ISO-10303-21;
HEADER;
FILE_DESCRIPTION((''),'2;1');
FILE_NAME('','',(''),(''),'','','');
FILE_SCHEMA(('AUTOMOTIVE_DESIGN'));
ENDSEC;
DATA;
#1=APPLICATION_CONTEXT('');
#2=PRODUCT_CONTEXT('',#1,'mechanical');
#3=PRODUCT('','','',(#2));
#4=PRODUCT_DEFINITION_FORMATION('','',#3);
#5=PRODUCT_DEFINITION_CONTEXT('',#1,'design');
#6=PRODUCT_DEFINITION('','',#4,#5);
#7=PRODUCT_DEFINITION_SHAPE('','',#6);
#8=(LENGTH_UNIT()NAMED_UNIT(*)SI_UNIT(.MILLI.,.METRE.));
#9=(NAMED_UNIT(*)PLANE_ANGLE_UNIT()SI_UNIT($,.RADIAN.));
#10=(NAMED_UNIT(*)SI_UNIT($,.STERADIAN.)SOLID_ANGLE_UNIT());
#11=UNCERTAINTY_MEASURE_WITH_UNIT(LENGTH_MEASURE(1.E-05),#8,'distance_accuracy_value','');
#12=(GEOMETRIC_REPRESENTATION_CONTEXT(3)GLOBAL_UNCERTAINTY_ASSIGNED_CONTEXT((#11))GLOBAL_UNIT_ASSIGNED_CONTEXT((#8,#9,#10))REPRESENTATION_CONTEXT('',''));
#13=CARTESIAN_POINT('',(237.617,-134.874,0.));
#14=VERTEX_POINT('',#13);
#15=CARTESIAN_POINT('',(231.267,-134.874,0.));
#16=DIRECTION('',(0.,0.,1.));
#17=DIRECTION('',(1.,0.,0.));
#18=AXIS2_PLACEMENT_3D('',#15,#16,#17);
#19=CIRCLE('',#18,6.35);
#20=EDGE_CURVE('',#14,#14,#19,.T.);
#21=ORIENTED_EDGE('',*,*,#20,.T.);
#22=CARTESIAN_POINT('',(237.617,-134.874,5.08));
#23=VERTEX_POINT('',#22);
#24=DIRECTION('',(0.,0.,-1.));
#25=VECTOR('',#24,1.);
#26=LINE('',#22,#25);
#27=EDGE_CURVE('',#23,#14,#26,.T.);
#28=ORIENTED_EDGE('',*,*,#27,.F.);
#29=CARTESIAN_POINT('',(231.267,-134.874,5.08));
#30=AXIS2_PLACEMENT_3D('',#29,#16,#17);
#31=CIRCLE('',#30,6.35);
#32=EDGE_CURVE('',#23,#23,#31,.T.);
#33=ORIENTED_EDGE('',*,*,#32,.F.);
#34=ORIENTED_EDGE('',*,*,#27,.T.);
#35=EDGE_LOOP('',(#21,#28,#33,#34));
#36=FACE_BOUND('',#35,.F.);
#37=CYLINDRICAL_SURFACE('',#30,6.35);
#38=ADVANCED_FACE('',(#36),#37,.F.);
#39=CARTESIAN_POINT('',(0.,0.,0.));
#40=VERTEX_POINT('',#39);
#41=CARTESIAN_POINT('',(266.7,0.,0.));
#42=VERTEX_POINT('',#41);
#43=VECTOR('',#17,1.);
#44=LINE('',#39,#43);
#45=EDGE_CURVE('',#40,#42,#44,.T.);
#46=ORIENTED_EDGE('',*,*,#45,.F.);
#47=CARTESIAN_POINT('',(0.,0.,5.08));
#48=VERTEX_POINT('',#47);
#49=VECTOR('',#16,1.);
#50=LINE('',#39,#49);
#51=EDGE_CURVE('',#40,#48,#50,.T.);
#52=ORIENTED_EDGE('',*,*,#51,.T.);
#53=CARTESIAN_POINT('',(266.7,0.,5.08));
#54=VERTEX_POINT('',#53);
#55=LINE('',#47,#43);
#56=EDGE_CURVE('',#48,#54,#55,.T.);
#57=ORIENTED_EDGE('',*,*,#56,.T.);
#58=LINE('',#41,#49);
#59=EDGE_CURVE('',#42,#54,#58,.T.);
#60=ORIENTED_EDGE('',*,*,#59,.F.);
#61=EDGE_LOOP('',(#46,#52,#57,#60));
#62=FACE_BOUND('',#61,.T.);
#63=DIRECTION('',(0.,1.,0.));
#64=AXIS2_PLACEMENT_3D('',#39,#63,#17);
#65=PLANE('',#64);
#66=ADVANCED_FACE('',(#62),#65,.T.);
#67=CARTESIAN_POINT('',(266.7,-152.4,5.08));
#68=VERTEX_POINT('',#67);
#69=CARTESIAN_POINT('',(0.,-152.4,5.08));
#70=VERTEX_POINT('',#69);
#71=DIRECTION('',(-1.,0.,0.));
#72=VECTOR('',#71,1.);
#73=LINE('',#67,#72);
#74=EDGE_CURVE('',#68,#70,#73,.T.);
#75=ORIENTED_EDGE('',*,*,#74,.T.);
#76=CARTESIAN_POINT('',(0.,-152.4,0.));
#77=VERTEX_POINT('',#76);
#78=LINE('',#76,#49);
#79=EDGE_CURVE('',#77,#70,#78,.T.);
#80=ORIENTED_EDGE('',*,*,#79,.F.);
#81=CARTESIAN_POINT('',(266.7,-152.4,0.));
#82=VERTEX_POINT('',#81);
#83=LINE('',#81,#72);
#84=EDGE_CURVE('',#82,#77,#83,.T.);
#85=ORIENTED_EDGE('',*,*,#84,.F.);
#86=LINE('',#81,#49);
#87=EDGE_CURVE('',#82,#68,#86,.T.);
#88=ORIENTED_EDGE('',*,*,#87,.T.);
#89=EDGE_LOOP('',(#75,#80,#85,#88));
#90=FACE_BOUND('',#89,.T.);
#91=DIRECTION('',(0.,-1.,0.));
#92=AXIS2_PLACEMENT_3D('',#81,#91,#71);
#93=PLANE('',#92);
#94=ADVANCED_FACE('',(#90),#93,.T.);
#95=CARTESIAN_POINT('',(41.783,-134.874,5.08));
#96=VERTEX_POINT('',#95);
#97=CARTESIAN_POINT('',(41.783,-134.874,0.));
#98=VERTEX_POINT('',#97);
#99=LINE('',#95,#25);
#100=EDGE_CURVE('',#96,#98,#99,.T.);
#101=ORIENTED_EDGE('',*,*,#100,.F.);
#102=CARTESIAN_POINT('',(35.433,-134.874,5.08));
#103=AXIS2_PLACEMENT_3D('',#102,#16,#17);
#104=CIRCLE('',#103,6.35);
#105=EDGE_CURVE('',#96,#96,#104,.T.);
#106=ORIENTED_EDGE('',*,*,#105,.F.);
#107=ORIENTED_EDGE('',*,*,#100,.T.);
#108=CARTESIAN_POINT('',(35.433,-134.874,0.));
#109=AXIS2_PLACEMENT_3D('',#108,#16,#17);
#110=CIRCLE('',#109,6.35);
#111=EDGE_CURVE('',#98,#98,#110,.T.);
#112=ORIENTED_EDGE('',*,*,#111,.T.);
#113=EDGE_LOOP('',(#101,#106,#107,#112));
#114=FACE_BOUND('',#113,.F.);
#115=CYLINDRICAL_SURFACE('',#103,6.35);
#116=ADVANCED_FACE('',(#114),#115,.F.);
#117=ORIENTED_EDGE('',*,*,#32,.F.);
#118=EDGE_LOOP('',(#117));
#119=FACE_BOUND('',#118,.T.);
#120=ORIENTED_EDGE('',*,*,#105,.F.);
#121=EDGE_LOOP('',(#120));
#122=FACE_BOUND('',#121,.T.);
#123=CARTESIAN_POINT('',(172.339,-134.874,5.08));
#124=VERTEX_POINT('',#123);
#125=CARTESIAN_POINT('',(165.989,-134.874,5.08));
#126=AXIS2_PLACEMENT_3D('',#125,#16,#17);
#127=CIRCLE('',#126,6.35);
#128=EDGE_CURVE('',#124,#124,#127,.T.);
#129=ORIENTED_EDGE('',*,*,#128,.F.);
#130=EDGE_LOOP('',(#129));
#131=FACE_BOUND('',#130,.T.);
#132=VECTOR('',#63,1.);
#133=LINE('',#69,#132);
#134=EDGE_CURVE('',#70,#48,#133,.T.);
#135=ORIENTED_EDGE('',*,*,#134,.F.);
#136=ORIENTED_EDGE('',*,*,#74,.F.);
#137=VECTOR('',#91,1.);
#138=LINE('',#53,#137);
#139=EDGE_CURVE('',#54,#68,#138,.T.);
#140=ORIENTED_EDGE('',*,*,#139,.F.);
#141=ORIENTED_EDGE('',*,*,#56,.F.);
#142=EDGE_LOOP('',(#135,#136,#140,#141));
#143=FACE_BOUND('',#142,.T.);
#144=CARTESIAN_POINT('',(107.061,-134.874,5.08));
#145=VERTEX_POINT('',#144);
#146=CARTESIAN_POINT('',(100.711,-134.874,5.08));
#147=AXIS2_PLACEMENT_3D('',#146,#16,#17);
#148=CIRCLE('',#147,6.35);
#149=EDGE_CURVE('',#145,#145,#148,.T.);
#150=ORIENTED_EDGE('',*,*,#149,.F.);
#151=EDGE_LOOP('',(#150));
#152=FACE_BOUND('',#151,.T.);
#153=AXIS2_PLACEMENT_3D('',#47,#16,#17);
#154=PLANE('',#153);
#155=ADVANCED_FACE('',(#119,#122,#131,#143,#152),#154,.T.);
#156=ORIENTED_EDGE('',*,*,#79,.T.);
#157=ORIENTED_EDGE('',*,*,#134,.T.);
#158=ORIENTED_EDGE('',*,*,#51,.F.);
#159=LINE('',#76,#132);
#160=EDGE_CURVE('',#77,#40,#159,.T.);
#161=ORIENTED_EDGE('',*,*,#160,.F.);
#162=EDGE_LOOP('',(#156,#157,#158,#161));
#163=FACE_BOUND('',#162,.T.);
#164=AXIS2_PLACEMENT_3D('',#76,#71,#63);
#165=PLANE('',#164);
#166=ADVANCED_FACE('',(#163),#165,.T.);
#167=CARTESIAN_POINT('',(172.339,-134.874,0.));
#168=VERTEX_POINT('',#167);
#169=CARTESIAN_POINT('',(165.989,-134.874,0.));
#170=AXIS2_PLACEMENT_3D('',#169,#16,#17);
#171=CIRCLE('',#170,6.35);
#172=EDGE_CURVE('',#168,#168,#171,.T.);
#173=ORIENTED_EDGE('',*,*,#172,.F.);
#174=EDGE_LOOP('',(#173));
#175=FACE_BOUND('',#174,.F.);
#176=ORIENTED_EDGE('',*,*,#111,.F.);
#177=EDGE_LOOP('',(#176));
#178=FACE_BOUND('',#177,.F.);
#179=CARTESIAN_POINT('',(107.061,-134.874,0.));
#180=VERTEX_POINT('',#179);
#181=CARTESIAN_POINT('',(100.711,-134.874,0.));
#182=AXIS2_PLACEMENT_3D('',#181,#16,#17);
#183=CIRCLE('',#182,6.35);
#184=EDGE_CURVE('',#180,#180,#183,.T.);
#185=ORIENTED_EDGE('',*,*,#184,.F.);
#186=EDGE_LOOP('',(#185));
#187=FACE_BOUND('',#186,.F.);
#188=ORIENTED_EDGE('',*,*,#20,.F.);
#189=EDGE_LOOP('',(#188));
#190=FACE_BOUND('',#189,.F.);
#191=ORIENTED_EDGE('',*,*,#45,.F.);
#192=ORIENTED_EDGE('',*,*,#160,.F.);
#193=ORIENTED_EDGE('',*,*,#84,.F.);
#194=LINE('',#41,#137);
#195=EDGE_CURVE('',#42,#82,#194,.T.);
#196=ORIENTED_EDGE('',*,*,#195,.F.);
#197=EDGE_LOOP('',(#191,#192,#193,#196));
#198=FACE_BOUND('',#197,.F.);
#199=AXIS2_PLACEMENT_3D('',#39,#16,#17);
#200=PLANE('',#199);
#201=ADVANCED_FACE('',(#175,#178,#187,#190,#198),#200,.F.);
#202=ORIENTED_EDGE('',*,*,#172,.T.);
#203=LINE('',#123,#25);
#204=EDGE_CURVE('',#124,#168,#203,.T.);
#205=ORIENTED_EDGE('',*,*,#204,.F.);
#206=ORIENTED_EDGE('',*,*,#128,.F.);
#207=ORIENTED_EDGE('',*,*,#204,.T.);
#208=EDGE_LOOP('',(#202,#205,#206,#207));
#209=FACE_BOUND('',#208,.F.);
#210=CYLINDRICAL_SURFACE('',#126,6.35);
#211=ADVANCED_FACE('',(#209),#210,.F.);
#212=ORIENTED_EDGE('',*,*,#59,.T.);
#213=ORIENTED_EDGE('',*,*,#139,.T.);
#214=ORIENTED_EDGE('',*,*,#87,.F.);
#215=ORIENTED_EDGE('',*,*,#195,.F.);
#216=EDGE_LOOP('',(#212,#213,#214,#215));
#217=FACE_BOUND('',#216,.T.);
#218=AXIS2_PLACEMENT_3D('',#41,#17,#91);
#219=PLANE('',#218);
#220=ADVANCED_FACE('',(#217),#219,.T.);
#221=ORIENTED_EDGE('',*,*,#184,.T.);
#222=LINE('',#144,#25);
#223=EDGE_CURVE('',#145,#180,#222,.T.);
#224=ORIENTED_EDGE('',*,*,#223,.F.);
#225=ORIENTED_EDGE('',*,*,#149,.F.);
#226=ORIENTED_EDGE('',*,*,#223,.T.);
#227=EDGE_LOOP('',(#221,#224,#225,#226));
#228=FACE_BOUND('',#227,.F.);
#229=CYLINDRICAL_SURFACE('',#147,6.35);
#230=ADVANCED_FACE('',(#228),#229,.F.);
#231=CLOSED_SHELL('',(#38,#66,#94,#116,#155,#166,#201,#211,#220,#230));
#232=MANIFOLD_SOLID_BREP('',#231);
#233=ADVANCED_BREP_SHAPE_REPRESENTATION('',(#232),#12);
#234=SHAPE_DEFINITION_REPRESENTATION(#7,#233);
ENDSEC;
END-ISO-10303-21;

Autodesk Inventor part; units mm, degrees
ref_plane "YZ Plane" through (0, 0, 0) normal (1, 0, 0) x (0, 1, 0)
ref_plane "XZ Plane" through (0, 0, 0) normal (0, 1, 0) x (-1, 0, 0)
ref_plane "XY Plane" through (0, 0, 0) normal (0, 0, 1) x (1, 0, 0)
sketch "Sketch1" plane through (0, 0, 0) normal (0, 0, 1) x (1, 0, 0)
  line L0 (0, 0) -> (266.7, 0)
  line L1 (266.7, 0) -> (266.7, -152.4)
  line L2 (266.7, -152.4) -> (0, -152.4)
  line L3 (0, -152.4) -> (0, 0)
  dimension "d0" = 266.7
  dimension "d1" = 152.4
extrude "Extrusion1" add sketch "Sketch1" along normal blind 5.08
sketch "Sketch2" plane through (0, 0, 5.08) normal (0, 0, 1) x (1, 0, 0)
  line L0 (0, -152.4) -> (266.7, -152.4) projected
  line L1 (59.8504, -152.4) -> (42.3244, -152.4)
  line L2 (0, 0) -> (0, -152.4) projected
  line L3 (266.7, -152.4) -> (266.7, 0) projected
  circle A0 centre (165.989, -134.874) radius 6.35
  circle A1 centre (231.267, -134.874) radius 6.35
  circle A2 centre (100.711, -134.874) radius 6.35
  circle A3 centre (35.433, -134.874) radius 6.35
  dimension "d9" = 12.7
extrude "Extrusion2" cut sketch "Sketch2" against normal blind 8.382
properties part number "Front wall"
